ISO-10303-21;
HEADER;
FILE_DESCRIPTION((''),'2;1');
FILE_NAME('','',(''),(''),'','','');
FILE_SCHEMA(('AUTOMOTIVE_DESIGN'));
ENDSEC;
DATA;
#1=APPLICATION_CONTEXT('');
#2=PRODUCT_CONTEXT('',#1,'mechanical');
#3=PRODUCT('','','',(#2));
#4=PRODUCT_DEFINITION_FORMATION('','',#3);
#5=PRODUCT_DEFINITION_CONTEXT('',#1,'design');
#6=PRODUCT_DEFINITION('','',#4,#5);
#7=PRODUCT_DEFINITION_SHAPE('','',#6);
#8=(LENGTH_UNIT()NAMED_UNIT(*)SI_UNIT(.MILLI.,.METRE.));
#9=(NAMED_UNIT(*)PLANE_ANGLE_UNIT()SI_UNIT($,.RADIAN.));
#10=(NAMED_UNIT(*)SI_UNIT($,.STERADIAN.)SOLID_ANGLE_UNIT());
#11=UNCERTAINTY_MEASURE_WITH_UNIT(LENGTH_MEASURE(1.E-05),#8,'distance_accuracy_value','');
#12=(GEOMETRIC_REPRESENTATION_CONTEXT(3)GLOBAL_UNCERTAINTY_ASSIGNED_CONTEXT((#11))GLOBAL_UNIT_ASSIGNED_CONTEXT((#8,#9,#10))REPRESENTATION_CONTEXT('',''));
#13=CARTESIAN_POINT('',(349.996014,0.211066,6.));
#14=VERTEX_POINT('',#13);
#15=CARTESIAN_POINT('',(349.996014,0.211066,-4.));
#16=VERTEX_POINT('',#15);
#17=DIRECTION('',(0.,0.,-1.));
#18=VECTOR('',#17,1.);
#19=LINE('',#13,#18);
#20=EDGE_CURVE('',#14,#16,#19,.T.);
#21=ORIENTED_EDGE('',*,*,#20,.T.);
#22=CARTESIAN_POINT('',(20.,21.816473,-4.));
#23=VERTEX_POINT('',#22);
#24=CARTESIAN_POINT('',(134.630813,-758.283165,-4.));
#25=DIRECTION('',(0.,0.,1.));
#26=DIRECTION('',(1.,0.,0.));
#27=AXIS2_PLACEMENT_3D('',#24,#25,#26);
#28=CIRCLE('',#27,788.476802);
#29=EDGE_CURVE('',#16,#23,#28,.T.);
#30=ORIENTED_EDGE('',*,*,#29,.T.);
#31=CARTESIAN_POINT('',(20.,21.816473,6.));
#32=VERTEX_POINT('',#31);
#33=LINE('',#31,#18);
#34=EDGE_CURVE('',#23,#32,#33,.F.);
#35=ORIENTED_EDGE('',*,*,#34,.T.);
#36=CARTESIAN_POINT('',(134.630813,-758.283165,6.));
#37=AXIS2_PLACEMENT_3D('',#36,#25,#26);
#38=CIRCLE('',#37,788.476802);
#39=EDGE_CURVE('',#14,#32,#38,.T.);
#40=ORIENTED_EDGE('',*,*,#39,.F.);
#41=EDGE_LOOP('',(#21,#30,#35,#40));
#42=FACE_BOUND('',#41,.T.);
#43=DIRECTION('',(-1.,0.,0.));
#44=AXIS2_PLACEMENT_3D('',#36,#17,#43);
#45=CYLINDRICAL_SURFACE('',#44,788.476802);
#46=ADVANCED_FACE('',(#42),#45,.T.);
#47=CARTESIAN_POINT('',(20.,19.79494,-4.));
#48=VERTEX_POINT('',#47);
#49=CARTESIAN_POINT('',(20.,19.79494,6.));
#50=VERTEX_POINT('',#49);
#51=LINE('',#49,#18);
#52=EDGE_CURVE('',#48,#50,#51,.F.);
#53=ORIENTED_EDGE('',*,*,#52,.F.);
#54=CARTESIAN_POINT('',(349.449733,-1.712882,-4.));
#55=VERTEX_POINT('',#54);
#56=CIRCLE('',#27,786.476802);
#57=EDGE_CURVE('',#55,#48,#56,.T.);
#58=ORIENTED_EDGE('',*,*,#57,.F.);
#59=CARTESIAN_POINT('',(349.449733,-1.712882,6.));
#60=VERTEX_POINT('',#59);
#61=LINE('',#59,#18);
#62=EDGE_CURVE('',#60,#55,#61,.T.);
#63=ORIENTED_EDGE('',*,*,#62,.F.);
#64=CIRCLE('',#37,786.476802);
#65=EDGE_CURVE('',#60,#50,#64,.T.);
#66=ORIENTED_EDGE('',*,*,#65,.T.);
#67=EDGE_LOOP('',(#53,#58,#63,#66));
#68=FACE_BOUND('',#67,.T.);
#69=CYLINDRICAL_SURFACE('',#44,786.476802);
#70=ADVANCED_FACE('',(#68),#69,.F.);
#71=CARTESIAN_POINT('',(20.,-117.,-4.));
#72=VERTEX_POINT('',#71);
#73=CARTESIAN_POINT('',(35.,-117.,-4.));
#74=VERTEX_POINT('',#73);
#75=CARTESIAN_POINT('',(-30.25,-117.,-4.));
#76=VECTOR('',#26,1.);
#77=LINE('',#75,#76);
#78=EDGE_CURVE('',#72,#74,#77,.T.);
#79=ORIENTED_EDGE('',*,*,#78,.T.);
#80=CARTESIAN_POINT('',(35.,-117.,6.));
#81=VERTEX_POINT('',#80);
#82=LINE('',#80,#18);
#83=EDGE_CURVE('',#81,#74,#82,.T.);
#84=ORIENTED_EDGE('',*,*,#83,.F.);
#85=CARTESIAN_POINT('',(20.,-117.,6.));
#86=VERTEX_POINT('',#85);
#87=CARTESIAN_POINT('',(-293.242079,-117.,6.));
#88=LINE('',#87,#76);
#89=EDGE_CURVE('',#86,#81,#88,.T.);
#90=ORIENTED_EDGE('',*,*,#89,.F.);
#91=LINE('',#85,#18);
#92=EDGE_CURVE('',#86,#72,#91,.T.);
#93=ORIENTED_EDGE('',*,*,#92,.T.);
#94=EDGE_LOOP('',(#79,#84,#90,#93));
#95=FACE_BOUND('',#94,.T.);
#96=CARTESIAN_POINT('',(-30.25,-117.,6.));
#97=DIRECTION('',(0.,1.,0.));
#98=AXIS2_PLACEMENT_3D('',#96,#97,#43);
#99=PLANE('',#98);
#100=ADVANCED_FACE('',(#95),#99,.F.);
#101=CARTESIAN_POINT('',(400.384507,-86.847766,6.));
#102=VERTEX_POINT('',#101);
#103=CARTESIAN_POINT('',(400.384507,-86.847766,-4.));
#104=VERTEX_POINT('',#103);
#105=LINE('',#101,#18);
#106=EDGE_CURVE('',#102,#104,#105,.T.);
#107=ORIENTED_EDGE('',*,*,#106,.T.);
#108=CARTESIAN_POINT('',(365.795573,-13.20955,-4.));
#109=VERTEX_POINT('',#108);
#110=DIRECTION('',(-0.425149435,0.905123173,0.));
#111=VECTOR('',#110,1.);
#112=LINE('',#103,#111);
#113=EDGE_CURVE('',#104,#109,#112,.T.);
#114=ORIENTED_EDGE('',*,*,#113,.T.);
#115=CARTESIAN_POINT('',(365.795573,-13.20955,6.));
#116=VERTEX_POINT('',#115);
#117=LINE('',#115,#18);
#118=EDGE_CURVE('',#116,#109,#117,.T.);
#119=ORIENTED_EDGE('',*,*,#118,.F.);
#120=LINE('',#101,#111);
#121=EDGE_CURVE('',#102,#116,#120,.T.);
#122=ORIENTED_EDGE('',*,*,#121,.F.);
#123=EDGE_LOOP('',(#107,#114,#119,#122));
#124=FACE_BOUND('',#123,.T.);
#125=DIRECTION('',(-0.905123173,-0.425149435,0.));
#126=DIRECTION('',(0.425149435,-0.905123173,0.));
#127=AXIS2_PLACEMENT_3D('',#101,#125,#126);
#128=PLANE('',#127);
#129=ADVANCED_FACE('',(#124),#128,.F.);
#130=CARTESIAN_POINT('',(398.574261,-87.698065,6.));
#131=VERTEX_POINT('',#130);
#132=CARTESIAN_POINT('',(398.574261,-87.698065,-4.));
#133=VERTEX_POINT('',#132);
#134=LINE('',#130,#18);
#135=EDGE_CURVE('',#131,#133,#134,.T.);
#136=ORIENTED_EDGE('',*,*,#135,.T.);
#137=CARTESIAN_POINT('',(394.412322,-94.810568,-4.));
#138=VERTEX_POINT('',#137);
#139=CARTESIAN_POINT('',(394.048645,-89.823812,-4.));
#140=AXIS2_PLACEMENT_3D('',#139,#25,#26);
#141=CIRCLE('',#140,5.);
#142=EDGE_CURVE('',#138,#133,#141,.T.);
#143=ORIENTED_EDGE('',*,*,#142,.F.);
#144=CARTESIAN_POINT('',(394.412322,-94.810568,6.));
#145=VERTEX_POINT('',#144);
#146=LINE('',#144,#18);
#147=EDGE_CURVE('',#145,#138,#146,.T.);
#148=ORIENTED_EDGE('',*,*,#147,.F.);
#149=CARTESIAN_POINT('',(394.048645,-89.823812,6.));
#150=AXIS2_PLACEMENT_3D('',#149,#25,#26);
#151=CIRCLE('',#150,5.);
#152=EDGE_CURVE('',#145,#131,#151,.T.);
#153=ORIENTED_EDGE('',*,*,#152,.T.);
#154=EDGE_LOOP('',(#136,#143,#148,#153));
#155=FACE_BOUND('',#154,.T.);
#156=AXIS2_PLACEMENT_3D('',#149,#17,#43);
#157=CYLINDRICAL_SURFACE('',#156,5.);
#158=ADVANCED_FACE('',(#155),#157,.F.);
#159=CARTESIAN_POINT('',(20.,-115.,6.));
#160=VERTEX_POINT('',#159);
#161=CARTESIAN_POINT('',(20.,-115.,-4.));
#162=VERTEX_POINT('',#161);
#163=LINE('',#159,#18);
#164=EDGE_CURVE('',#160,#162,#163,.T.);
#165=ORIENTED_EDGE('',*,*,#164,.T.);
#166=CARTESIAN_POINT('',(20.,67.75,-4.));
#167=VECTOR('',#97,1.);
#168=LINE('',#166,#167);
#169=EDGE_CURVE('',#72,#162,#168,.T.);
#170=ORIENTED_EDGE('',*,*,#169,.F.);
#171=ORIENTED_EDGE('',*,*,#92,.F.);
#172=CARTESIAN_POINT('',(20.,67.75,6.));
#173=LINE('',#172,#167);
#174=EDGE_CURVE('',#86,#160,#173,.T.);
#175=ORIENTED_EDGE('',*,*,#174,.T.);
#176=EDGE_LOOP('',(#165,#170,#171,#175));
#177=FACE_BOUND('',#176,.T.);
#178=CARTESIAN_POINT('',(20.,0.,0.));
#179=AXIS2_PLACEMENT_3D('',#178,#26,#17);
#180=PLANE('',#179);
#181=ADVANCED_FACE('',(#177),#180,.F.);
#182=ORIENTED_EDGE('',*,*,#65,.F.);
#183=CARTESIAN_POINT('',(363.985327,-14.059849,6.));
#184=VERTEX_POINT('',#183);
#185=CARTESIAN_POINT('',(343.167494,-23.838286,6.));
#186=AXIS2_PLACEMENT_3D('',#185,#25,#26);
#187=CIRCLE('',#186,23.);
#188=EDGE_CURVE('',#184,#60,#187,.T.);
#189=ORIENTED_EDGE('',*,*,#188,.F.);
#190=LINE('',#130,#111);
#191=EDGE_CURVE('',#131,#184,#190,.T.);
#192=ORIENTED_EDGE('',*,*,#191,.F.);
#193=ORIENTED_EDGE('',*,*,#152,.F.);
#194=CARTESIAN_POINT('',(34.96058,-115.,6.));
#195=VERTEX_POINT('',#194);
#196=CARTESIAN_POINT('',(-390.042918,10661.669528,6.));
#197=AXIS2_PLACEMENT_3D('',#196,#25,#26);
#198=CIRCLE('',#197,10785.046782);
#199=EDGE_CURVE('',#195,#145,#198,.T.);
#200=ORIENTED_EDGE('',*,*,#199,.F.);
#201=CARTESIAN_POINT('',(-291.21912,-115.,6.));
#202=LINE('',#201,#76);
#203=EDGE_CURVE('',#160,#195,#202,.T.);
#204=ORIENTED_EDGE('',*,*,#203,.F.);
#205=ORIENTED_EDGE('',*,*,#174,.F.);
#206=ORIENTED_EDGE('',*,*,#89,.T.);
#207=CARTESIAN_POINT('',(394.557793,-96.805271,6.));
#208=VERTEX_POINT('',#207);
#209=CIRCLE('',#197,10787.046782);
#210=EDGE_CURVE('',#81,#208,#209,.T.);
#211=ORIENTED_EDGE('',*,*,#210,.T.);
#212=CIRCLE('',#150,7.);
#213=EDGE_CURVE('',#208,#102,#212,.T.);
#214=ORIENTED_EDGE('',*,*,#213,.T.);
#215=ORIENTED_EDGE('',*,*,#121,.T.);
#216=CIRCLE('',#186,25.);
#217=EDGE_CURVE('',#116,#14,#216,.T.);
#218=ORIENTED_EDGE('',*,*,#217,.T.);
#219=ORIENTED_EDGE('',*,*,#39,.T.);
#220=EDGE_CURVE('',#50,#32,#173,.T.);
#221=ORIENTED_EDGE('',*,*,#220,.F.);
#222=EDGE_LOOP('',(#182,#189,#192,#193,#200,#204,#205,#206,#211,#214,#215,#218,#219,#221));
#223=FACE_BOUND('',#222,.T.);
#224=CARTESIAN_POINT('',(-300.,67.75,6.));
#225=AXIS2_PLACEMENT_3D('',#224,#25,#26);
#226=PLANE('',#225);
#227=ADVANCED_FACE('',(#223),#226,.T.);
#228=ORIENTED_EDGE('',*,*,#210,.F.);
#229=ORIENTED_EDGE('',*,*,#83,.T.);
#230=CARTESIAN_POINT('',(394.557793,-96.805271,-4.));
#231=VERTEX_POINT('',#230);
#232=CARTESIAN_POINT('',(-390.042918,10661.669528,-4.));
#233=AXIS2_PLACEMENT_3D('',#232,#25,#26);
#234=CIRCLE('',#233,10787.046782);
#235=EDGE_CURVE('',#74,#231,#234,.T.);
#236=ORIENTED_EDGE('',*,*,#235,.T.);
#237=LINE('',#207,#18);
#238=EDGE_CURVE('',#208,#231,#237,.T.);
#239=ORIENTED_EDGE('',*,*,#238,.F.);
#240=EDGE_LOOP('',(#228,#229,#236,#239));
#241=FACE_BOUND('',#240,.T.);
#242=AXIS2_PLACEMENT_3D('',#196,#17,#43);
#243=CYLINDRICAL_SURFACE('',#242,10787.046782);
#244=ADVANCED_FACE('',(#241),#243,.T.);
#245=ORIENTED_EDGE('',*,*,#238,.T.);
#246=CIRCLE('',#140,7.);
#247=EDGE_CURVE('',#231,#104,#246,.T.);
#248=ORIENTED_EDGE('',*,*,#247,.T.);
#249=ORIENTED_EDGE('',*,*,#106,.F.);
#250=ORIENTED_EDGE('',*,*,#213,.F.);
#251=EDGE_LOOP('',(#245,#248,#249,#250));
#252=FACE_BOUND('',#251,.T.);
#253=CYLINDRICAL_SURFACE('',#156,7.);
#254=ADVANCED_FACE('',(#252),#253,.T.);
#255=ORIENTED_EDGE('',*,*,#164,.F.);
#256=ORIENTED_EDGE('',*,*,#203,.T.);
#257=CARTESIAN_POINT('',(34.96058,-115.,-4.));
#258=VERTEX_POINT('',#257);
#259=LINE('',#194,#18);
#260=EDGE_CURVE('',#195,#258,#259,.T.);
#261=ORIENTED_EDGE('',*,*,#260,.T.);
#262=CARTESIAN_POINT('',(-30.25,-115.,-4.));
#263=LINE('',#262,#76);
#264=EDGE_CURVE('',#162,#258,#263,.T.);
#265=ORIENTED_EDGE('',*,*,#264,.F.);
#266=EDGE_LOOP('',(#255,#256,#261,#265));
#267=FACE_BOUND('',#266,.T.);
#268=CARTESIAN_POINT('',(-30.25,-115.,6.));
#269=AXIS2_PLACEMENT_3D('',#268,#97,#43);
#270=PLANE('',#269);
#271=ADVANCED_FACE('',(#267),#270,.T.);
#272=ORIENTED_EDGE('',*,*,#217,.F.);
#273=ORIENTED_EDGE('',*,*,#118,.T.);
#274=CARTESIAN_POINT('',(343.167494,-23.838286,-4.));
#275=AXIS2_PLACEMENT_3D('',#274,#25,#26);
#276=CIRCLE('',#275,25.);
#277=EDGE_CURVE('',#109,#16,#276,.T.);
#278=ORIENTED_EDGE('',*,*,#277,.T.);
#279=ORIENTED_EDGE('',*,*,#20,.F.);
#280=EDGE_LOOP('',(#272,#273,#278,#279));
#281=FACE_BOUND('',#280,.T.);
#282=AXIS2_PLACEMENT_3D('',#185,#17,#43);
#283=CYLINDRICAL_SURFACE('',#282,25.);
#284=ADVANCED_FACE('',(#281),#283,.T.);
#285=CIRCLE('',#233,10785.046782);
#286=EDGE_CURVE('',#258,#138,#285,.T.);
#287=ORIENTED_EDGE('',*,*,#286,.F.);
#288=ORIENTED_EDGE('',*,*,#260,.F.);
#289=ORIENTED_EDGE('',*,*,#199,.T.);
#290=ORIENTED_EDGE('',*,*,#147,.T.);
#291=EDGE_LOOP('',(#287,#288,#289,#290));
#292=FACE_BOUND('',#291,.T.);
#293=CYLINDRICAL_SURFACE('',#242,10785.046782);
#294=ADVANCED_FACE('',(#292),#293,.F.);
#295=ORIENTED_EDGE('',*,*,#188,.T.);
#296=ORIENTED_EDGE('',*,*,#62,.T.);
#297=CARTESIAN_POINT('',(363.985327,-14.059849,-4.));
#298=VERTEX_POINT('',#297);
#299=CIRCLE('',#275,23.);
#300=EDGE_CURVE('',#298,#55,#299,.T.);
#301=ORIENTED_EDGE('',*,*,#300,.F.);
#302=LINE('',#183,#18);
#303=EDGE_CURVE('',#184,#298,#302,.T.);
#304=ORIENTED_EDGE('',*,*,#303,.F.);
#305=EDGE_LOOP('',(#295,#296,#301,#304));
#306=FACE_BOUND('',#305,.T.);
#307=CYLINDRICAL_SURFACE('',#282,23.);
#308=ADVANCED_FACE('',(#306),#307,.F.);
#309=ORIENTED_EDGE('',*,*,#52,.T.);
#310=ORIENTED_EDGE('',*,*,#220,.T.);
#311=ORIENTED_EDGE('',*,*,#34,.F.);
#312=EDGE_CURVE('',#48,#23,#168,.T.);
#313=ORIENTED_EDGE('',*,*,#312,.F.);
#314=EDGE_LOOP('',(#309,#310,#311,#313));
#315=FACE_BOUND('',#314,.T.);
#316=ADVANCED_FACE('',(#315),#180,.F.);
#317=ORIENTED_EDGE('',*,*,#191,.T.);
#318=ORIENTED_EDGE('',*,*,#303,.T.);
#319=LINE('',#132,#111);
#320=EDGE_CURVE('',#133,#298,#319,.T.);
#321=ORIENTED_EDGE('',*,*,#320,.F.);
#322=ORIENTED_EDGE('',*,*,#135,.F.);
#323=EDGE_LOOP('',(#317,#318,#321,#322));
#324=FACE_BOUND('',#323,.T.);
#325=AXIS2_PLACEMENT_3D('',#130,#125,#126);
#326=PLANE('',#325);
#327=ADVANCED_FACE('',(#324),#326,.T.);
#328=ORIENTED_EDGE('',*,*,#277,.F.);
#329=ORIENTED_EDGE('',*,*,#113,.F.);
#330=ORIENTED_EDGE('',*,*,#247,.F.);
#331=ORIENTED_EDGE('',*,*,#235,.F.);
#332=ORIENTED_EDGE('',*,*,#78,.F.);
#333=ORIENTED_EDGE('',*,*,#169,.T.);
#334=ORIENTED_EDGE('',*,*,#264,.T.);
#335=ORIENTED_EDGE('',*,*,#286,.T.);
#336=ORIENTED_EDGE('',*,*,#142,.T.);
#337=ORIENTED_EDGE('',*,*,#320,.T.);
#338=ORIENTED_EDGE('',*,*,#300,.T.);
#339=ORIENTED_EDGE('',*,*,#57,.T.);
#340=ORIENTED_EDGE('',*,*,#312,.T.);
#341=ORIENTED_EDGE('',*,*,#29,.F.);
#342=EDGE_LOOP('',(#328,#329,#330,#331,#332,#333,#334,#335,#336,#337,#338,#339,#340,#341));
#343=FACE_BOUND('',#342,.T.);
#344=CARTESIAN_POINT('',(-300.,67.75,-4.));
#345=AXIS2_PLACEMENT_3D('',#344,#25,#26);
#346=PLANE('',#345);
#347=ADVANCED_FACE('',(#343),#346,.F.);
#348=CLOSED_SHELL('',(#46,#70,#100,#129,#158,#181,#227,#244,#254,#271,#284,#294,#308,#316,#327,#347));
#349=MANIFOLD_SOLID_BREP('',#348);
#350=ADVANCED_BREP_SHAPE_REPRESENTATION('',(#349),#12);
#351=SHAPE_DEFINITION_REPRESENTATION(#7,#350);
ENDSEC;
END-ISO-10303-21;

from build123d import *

# Parameters (mm, degrees)
BOSS_EXTRUDE1_DEPTH = 10
SKETCH3_W           = 208.746083537
SKETCH3_H           = 274.535725978
CUT_EXTRUDE1_DEPTH  = 399.651564654


with BuildPart() as part:
    # Sketch2 → Boss-Extrude1 (new body)
    with BuildSketch(Plane.XY.offset(-4)):
        with BuildLine():
            Line((-300, 17.25), (-9.906933746, 17.25))
            ThreePointArc((-9.906933746, 17.25), (-7.67705834, 17.349645471), (-5.464958693, 17.647787546))
            ThreePointArc((-5.464958693, 17.647787546), (173.262167791, 29.246699007), (349.996014284, 0.211065854))
            ThreePointArc((349.996014284, 0.211065854), (359.352395656, -4.784442191), (365.795573071, -13.209549776))
            Line((365.795573071, -13.209549776), (400.384507401, -86.847766013))
            ThreePointArc((400.384507401, -86.847766013), (400.778842945, -87.899120346), (401, -89))
            ThreePointArc((401, -89), (399.447287587, -94.279668904), (394.557793346, -96.805270939))
            ThreePointArc((394.557793346, -96.805270939), (214.863177419, -108.403215094), (35, -117))
            Line((35, -117), (-30.25, -117))
            Line((-30.25, -117), (-293.242078622, -117))
            ThreePointArc((-293.242078622, -117), (-293.197036902, -109.999972274), (-293.25, -103))
            ThreePointArc((-293.25, -103), (-297.900702689, -41.860509444), (-310, 18.25))
            ThreePointArc((-310, 18.25), (-305.024937811, 17.500621894), (-300, 17.25))
        make_face()
        with BuildLine():
            Line((-300, 15.25), (-9.906933746, 15.25))
            ThreePointArc((-9.906933746, 15.25), (-7.498668308, 15.357617109), (-5.109600689, 15.67961055))
            ThreePointArc((-5.109600689, 15.67961055), (173.164177958, 27.249100951), (349.449732641, -1.712882265))
            ThreePointArc((349.449732641, -1.712882265), (358.057603503, -6.308749667), (363.985326724, -14.059848645))
            Line((363.985326724, -14.059848645), (398.574261055, -87.698064882))
            ThreePointArc((398.574261055, -87.698064882), (398.855929301, -88.449032263), (399.013898626, -89.235374873))
            ThreePointArc((399.013898626, -89.235374873), (397.904818331, -93.006566947), (394.412322444, -94.8105684))
            ThreePointArc((394.412322444, -94.8105684), (214.770700526, -106.405257008), (34.960579781, -115))
            Line((34.960579781, -115), (-30.25, -115))
            Line((-30.25, -115), (-291.219119939, -115))
            ThreePointArc((-291.219119939, -115), (-291.198633765, -108.985341109), (-291.250212173, -102.970868486))
            ThreePointArc((-291.250212173, -102.970868486), (-295.709152828, -43.127202467), (-307.277212671, 15.756806448))
            ThreePointArc((-307.277212671, 15.756806448), (-303.647419534, 15.376854871), (-300, 15.25))
        make_face(mode=Mode.SUBTRACT)
    extrude(amount=BOSS_EXTRUDE1_DEPTH)

    # Sketch3 → Cut-Extrude1 (cut, through all)
    with BuildSketch(Plane(origin=(20, 0, 0), x_dir=(0, 0, -1), z_dir=(1, 0, 0))):
        with Locations((3.946589657, -49.091759287)):
            Rectangle(SKETCH3_W, SKETCH3_H)
    extrude(amount=-CUT_EXTRUDE1_DEPTH, mode=Mode.SUBTRACT)


solid = part.part
